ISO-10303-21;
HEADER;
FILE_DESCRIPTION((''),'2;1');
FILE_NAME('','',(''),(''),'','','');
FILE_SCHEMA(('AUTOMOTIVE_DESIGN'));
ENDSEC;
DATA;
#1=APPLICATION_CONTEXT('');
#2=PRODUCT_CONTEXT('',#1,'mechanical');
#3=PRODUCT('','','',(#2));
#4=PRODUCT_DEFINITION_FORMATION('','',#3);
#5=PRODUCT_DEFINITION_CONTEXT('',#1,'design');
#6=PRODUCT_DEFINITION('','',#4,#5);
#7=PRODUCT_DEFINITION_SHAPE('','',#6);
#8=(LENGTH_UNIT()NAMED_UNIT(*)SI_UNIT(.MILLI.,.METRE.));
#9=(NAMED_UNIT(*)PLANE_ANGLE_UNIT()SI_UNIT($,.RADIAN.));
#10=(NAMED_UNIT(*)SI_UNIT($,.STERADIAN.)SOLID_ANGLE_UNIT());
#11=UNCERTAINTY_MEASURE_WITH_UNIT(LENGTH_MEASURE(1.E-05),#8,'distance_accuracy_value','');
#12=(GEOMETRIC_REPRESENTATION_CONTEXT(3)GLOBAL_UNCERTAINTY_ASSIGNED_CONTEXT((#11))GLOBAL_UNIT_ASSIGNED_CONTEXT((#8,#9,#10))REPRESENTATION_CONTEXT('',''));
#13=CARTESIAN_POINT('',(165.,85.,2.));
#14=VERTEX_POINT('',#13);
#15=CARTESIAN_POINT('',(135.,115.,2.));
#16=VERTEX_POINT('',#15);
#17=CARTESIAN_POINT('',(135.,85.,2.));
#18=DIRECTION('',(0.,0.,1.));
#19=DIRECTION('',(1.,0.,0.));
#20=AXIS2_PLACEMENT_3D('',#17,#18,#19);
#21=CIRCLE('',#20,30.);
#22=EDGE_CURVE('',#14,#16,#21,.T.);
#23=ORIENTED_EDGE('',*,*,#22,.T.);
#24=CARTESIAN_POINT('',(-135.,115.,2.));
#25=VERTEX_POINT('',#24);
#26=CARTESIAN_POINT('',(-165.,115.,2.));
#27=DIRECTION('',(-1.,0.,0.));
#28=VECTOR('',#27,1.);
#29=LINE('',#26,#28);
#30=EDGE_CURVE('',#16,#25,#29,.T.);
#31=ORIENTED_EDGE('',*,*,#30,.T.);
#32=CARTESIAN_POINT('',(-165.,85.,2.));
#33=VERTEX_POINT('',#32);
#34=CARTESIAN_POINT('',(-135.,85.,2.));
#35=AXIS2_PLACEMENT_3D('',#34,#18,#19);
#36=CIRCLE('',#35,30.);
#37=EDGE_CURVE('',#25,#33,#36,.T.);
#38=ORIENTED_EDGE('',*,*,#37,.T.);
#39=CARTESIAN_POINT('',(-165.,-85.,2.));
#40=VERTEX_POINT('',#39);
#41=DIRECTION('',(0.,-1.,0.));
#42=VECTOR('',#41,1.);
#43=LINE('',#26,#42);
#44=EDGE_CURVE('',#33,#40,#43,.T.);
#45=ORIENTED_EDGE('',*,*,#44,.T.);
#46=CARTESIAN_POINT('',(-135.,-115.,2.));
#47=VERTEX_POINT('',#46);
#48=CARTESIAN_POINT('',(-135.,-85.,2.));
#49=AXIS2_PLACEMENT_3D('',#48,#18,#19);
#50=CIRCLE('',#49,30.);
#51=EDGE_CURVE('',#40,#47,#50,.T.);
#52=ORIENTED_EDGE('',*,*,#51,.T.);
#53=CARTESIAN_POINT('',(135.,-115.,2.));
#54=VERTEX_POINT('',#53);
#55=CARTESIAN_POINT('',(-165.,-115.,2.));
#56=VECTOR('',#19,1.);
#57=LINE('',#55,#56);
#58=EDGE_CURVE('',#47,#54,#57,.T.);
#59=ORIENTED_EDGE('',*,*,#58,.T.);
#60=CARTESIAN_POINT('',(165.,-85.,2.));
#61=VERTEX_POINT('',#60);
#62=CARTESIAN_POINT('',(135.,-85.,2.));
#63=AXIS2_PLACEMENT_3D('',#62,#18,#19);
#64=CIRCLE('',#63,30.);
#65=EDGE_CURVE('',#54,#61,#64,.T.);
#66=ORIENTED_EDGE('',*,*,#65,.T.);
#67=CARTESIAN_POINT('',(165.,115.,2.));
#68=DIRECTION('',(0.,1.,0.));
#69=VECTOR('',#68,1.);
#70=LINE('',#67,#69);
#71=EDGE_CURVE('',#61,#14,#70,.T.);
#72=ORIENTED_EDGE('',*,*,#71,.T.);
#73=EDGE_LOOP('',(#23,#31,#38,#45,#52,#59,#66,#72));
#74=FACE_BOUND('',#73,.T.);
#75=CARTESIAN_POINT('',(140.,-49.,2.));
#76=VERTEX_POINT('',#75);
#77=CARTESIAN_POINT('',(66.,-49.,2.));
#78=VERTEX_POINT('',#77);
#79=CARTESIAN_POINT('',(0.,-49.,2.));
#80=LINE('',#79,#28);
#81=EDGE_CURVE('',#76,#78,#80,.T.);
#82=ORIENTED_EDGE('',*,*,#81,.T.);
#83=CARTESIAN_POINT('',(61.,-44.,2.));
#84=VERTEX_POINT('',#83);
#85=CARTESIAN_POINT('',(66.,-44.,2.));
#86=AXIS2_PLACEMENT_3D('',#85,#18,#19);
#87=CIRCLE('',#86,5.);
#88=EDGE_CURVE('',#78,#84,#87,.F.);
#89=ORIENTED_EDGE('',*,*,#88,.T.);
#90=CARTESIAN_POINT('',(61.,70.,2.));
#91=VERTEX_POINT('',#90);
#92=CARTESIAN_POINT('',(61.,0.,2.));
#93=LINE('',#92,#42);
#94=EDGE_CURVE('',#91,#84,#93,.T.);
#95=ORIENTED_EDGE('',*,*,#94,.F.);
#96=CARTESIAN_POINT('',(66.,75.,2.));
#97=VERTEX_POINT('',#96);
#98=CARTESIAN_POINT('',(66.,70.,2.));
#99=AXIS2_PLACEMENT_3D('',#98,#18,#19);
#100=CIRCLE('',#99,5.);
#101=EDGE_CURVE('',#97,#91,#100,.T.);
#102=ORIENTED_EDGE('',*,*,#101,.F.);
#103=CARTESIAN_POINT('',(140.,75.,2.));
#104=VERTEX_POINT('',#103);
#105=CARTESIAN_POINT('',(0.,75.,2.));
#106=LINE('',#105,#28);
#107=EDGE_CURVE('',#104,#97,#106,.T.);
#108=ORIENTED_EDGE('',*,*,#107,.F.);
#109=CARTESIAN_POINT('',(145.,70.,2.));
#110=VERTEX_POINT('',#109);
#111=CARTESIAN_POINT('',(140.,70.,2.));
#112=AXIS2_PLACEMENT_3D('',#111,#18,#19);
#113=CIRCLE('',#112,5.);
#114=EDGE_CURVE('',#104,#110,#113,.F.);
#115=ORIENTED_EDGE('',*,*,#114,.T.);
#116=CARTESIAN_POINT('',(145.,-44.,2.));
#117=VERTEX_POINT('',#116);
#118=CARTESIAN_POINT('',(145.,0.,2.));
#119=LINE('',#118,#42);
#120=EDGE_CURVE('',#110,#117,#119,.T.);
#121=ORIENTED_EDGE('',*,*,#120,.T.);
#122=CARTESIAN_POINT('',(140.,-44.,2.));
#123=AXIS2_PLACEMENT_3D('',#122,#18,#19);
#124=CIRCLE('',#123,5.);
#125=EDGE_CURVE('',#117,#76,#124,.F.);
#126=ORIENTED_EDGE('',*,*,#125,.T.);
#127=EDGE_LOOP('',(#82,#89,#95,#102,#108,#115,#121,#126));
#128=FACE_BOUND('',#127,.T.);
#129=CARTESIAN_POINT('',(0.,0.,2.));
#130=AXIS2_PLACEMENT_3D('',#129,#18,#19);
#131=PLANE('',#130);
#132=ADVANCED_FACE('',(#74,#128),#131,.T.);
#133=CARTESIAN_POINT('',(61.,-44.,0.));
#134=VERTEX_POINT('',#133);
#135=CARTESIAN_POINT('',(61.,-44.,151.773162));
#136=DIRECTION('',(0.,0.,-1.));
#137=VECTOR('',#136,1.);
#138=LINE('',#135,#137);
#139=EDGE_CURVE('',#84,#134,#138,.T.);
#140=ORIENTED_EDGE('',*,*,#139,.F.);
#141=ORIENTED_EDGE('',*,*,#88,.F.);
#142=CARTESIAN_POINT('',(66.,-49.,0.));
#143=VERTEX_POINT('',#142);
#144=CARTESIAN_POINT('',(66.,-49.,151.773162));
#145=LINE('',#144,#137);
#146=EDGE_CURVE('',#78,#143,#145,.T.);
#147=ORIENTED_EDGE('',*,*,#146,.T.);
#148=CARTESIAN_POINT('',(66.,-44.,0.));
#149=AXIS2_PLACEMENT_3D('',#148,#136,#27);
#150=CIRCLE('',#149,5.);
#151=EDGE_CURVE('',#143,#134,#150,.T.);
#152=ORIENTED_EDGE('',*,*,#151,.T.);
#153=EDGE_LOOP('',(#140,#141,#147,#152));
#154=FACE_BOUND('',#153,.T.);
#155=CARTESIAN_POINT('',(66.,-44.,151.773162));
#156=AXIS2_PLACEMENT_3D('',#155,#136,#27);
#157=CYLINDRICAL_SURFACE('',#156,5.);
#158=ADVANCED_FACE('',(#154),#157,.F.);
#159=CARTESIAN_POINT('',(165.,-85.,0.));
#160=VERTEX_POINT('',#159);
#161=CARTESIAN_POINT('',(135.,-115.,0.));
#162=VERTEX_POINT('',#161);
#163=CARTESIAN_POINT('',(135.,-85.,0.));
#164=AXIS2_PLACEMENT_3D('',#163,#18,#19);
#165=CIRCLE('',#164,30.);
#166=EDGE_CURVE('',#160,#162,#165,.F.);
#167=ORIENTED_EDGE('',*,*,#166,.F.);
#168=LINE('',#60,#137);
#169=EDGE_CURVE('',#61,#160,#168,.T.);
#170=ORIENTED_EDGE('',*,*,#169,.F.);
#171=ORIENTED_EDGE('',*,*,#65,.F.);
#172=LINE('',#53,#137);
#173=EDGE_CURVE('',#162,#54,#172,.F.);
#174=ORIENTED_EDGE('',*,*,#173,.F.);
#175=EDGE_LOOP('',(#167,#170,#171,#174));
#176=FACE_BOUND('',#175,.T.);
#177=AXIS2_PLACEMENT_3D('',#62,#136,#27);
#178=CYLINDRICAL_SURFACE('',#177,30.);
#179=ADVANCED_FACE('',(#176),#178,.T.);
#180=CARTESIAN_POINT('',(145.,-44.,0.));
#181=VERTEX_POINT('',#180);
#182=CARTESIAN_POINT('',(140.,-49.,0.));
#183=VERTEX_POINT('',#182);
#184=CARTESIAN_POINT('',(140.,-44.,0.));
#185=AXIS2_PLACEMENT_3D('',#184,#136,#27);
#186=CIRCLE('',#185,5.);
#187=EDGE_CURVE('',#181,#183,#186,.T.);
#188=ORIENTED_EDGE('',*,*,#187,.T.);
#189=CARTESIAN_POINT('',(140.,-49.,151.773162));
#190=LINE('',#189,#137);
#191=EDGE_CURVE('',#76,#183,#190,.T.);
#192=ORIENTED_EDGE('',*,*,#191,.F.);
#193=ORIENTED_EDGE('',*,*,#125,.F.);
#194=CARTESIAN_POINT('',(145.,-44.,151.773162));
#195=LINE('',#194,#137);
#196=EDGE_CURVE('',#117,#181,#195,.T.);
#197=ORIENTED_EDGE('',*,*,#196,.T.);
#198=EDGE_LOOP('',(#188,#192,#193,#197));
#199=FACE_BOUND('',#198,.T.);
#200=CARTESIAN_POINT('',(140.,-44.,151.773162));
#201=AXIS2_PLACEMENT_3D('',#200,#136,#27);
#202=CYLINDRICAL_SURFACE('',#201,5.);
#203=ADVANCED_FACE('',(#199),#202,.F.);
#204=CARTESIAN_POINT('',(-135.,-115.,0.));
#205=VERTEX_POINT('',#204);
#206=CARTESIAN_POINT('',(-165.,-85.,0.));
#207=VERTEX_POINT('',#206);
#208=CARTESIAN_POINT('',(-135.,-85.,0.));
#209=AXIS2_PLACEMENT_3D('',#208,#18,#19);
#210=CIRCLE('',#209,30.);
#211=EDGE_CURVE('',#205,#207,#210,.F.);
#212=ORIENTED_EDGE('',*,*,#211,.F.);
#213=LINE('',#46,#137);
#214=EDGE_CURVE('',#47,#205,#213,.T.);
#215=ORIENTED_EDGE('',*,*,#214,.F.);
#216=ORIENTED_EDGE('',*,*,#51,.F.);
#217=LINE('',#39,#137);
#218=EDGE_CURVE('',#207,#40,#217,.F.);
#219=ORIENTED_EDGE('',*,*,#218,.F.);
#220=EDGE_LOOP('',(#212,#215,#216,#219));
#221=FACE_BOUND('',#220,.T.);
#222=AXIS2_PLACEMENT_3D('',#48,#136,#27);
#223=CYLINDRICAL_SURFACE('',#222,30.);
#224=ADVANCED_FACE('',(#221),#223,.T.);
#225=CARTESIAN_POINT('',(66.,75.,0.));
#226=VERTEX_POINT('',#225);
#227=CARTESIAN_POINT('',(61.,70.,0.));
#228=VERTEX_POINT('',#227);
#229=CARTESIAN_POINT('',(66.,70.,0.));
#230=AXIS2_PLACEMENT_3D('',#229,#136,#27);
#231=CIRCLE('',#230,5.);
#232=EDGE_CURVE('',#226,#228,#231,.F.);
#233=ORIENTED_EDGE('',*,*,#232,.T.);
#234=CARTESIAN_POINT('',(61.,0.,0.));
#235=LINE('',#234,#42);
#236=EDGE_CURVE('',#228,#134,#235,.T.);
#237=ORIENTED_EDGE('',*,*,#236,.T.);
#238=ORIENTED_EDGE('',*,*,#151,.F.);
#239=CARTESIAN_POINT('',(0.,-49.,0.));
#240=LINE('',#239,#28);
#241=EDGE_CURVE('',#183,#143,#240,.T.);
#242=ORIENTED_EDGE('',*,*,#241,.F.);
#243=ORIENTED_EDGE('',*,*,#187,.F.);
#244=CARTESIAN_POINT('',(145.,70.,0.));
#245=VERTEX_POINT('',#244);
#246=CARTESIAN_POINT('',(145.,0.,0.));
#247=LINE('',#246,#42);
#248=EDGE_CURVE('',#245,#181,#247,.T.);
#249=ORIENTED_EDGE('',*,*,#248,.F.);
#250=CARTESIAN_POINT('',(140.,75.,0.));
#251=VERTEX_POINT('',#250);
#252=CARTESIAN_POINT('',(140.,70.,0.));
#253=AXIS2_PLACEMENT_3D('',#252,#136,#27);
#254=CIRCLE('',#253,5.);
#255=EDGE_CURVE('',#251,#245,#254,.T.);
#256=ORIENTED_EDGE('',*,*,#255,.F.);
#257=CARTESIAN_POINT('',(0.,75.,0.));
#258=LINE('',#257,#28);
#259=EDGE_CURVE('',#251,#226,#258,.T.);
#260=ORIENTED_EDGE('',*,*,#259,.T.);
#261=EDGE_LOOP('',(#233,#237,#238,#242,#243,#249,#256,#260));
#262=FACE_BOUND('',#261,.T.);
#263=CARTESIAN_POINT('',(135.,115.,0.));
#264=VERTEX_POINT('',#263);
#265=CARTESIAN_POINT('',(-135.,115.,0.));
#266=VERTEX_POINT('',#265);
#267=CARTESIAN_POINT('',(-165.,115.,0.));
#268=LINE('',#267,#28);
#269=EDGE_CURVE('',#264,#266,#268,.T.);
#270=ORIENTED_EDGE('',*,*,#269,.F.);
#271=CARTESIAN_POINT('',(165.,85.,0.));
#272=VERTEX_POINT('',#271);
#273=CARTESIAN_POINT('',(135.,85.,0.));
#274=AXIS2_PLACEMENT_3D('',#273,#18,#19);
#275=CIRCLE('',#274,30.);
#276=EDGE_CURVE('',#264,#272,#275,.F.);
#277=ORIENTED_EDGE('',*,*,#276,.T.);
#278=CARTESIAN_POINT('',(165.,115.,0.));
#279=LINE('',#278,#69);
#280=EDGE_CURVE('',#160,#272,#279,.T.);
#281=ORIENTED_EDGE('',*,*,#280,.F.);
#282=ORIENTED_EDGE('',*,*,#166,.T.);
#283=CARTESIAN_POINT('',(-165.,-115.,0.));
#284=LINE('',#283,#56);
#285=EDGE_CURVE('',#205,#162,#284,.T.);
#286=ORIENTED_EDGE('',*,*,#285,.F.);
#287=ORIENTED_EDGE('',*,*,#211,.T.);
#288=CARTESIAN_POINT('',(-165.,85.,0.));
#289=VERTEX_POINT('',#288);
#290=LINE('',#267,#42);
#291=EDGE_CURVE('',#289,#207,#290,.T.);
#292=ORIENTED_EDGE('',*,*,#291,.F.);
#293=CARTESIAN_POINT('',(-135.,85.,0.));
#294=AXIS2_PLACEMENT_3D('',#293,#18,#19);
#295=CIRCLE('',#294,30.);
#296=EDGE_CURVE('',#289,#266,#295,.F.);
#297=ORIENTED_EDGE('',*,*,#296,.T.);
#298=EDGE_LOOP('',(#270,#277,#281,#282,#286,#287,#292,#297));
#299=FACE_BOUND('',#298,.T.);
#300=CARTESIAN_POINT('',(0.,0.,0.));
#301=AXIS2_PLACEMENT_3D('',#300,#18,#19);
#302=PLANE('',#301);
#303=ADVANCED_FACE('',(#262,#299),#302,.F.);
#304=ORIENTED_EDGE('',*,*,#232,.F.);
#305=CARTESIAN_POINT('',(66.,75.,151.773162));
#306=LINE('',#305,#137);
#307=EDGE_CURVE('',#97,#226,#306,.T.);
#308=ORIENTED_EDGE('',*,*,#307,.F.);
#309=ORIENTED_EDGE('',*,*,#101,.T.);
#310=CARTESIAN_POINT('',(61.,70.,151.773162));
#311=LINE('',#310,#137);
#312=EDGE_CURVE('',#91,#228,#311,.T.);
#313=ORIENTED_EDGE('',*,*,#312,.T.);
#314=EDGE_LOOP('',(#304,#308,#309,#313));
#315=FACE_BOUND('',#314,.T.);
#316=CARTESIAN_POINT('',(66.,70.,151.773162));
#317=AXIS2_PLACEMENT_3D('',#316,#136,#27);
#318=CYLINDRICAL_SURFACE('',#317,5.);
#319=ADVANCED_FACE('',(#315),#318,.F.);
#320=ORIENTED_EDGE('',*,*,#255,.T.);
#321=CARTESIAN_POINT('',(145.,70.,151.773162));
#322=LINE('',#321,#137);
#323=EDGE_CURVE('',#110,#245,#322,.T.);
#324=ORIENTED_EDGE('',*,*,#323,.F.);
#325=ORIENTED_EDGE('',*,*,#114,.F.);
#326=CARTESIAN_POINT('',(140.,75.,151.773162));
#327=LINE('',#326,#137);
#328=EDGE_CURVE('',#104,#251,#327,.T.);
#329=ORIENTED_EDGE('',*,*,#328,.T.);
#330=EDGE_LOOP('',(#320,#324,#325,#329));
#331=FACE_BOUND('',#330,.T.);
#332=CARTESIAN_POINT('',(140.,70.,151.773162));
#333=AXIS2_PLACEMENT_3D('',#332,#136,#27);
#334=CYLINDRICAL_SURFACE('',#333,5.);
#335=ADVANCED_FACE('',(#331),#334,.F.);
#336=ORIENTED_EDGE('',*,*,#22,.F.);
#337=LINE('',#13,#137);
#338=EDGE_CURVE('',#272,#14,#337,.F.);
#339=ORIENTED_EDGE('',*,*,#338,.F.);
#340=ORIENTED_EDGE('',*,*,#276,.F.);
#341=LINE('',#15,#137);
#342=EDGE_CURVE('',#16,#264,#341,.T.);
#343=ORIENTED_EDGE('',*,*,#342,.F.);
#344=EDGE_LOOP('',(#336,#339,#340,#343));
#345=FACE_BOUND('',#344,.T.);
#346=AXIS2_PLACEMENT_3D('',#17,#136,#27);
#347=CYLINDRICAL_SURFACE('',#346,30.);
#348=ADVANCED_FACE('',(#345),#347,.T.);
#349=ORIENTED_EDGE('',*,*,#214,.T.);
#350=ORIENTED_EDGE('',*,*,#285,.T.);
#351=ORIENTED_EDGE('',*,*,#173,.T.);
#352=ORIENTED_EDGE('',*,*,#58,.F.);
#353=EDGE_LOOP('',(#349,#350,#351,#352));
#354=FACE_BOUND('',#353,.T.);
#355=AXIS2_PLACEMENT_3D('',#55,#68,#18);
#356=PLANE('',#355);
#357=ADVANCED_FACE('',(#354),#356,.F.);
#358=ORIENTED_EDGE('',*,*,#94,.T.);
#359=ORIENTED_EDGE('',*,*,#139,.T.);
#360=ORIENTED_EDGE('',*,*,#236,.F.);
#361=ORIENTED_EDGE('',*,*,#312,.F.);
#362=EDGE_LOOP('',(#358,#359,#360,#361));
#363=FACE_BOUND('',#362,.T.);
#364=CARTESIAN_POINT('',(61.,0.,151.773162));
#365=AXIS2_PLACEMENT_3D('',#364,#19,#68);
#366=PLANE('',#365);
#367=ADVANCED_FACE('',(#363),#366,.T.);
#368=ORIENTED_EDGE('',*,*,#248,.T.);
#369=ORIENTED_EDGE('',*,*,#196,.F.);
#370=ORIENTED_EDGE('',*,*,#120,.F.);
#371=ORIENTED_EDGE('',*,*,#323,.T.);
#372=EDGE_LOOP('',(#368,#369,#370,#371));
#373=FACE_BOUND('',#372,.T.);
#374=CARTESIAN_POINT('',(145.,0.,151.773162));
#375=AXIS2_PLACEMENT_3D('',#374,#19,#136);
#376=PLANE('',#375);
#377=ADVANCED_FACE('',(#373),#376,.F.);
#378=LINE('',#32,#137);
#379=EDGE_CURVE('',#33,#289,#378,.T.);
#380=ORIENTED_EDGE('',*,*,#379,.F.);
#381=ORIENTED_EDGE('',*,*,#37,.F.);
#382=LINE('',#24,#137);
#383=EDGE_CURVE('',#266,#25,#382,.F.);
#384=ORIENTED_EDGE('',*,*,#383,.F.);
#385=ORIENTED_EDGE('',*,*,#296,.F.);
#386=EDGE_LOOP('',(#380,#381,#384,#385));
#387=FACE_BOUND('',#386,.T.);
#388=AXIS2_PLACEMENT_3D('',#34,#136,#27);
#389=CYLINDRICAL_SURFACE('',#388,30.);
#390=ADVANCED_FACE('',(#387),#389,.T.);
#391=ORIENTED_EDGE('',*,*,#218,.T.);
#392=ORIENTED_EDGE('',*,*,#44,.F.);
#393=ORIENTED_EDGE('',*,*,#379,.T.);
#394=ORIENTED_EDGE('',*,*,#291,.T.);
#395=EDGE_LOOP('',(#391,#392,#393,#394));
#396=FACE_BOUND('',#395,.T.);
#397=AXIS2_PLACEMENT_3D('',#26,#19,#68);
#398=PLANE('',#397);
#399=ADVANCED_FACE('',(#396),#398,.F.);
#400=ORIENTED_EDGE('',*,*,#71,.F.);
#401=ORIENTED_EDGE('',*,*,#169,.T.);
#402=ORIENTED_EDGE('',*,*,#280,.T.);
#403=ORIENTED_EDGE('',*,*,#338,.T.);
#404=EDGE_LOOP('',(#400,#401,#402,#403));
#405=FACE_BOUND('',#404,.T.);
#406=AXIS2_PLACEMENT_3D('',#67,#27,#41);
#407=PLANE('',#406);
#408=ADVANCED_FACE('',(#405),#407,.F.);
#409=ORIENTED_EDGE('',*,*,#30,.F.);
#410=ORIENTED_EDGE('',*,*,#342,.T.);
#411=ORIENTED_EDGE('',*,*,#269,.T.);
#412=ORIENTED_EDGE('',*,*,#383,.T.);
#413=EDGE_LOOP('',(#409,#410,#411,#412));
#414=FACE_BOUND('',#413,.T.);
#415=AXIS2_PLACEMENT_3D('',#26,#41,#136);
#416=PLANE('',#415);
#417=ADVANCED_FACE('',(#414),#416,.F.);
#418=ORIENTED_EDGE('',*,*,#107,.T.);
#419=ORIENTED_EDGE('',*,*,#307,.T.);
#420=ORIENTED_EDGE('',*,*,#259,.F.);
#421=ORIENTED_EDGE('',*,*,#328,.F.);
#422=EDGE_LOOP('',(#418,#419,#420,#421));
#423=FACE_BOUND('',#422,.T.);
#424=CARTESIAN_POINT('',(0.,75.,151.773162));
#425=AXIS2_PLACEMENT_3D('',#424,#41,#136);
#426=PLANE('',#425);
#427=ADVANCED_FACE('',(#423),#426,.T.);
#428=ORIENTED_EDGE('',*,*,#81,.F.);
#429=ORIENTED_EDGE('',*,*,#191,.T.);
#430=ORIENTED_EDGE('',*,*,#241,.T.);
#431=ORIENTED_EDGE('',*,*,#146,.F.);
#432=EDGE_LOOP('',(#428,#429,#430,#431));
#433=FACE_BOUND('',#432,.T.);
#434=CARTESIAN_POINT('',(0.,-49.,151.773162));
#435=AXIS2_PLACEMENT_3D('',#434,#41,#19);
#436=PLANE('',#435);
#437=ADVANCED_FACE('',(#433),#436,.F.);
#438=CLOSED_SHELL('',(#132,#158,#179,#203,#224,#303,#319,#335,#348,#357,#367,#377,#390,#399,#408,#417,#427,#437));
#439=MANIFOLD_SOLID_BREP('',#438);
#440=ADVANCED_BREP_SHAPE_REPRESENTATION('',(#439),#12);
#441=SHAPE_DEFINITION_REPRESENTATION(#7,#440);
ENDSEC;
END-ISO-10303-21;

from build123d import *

# Parameters (mm, degrees)
SKETCH1_W           = 330
SKETCH1_H           = 230
BOSS_EXTRUDE1_DEPTH = 2
CUT_EXTRUDE1_DEPTH  = 2
FILLET1_R           = 30


with BuildPart() as part:
    # Sketch1 → Boss-Extrude1 (new body)
    with BuildSketch(Plane.XY):
        Rectangle(SKETCH1_W, SKETCH1_H)
    extrude(amount=BOSS_EXTRUDE1_DEPTH)

    # Sketch2 → Cut-Extrude1 (cut)
    with BuildSketch(Plane(origin=(0, 0, 0), x_dir=(-1, 0, 0), z_dir=(0, 0, -1))):
        with BuildLine():
            Line((-140, 75), (-66, 75))
            ThreePointArc((-66, 75), (-62.464466094, 73.535533906), (-61, 70))
            Line((-61, 70), (-61, -44))
            ThreePointArc((-61, -44), (-62.464466094, -47.535533906), (-66, -49))
            Line((-66, -49), (-140, -49))
            ThreePointArc((-140, -49), (-143.535533906, -47.535533906), (-145, -44))
            Line((-145, -44), (-145, 70))
            ThreePointArc((-145, 70), (-143.535533906, 73.535533906), (-140, 75))
        make_face()
    extrude(amount=-CUT_EXTRUDE1_DEPTH, mode=Mode.SUBTRACT)

    # Fillet1
    fillet1_edges = [part.edges().sort_by_distance(p)[0] for p in [
        (165, -115, 1),
        (-165, -115, 1),
        (-165, 115, 1),
        (165, 115, 1),
    ]]
    fillet(fillet1_edges, radius=FILLET1_R)


solid = part.part
